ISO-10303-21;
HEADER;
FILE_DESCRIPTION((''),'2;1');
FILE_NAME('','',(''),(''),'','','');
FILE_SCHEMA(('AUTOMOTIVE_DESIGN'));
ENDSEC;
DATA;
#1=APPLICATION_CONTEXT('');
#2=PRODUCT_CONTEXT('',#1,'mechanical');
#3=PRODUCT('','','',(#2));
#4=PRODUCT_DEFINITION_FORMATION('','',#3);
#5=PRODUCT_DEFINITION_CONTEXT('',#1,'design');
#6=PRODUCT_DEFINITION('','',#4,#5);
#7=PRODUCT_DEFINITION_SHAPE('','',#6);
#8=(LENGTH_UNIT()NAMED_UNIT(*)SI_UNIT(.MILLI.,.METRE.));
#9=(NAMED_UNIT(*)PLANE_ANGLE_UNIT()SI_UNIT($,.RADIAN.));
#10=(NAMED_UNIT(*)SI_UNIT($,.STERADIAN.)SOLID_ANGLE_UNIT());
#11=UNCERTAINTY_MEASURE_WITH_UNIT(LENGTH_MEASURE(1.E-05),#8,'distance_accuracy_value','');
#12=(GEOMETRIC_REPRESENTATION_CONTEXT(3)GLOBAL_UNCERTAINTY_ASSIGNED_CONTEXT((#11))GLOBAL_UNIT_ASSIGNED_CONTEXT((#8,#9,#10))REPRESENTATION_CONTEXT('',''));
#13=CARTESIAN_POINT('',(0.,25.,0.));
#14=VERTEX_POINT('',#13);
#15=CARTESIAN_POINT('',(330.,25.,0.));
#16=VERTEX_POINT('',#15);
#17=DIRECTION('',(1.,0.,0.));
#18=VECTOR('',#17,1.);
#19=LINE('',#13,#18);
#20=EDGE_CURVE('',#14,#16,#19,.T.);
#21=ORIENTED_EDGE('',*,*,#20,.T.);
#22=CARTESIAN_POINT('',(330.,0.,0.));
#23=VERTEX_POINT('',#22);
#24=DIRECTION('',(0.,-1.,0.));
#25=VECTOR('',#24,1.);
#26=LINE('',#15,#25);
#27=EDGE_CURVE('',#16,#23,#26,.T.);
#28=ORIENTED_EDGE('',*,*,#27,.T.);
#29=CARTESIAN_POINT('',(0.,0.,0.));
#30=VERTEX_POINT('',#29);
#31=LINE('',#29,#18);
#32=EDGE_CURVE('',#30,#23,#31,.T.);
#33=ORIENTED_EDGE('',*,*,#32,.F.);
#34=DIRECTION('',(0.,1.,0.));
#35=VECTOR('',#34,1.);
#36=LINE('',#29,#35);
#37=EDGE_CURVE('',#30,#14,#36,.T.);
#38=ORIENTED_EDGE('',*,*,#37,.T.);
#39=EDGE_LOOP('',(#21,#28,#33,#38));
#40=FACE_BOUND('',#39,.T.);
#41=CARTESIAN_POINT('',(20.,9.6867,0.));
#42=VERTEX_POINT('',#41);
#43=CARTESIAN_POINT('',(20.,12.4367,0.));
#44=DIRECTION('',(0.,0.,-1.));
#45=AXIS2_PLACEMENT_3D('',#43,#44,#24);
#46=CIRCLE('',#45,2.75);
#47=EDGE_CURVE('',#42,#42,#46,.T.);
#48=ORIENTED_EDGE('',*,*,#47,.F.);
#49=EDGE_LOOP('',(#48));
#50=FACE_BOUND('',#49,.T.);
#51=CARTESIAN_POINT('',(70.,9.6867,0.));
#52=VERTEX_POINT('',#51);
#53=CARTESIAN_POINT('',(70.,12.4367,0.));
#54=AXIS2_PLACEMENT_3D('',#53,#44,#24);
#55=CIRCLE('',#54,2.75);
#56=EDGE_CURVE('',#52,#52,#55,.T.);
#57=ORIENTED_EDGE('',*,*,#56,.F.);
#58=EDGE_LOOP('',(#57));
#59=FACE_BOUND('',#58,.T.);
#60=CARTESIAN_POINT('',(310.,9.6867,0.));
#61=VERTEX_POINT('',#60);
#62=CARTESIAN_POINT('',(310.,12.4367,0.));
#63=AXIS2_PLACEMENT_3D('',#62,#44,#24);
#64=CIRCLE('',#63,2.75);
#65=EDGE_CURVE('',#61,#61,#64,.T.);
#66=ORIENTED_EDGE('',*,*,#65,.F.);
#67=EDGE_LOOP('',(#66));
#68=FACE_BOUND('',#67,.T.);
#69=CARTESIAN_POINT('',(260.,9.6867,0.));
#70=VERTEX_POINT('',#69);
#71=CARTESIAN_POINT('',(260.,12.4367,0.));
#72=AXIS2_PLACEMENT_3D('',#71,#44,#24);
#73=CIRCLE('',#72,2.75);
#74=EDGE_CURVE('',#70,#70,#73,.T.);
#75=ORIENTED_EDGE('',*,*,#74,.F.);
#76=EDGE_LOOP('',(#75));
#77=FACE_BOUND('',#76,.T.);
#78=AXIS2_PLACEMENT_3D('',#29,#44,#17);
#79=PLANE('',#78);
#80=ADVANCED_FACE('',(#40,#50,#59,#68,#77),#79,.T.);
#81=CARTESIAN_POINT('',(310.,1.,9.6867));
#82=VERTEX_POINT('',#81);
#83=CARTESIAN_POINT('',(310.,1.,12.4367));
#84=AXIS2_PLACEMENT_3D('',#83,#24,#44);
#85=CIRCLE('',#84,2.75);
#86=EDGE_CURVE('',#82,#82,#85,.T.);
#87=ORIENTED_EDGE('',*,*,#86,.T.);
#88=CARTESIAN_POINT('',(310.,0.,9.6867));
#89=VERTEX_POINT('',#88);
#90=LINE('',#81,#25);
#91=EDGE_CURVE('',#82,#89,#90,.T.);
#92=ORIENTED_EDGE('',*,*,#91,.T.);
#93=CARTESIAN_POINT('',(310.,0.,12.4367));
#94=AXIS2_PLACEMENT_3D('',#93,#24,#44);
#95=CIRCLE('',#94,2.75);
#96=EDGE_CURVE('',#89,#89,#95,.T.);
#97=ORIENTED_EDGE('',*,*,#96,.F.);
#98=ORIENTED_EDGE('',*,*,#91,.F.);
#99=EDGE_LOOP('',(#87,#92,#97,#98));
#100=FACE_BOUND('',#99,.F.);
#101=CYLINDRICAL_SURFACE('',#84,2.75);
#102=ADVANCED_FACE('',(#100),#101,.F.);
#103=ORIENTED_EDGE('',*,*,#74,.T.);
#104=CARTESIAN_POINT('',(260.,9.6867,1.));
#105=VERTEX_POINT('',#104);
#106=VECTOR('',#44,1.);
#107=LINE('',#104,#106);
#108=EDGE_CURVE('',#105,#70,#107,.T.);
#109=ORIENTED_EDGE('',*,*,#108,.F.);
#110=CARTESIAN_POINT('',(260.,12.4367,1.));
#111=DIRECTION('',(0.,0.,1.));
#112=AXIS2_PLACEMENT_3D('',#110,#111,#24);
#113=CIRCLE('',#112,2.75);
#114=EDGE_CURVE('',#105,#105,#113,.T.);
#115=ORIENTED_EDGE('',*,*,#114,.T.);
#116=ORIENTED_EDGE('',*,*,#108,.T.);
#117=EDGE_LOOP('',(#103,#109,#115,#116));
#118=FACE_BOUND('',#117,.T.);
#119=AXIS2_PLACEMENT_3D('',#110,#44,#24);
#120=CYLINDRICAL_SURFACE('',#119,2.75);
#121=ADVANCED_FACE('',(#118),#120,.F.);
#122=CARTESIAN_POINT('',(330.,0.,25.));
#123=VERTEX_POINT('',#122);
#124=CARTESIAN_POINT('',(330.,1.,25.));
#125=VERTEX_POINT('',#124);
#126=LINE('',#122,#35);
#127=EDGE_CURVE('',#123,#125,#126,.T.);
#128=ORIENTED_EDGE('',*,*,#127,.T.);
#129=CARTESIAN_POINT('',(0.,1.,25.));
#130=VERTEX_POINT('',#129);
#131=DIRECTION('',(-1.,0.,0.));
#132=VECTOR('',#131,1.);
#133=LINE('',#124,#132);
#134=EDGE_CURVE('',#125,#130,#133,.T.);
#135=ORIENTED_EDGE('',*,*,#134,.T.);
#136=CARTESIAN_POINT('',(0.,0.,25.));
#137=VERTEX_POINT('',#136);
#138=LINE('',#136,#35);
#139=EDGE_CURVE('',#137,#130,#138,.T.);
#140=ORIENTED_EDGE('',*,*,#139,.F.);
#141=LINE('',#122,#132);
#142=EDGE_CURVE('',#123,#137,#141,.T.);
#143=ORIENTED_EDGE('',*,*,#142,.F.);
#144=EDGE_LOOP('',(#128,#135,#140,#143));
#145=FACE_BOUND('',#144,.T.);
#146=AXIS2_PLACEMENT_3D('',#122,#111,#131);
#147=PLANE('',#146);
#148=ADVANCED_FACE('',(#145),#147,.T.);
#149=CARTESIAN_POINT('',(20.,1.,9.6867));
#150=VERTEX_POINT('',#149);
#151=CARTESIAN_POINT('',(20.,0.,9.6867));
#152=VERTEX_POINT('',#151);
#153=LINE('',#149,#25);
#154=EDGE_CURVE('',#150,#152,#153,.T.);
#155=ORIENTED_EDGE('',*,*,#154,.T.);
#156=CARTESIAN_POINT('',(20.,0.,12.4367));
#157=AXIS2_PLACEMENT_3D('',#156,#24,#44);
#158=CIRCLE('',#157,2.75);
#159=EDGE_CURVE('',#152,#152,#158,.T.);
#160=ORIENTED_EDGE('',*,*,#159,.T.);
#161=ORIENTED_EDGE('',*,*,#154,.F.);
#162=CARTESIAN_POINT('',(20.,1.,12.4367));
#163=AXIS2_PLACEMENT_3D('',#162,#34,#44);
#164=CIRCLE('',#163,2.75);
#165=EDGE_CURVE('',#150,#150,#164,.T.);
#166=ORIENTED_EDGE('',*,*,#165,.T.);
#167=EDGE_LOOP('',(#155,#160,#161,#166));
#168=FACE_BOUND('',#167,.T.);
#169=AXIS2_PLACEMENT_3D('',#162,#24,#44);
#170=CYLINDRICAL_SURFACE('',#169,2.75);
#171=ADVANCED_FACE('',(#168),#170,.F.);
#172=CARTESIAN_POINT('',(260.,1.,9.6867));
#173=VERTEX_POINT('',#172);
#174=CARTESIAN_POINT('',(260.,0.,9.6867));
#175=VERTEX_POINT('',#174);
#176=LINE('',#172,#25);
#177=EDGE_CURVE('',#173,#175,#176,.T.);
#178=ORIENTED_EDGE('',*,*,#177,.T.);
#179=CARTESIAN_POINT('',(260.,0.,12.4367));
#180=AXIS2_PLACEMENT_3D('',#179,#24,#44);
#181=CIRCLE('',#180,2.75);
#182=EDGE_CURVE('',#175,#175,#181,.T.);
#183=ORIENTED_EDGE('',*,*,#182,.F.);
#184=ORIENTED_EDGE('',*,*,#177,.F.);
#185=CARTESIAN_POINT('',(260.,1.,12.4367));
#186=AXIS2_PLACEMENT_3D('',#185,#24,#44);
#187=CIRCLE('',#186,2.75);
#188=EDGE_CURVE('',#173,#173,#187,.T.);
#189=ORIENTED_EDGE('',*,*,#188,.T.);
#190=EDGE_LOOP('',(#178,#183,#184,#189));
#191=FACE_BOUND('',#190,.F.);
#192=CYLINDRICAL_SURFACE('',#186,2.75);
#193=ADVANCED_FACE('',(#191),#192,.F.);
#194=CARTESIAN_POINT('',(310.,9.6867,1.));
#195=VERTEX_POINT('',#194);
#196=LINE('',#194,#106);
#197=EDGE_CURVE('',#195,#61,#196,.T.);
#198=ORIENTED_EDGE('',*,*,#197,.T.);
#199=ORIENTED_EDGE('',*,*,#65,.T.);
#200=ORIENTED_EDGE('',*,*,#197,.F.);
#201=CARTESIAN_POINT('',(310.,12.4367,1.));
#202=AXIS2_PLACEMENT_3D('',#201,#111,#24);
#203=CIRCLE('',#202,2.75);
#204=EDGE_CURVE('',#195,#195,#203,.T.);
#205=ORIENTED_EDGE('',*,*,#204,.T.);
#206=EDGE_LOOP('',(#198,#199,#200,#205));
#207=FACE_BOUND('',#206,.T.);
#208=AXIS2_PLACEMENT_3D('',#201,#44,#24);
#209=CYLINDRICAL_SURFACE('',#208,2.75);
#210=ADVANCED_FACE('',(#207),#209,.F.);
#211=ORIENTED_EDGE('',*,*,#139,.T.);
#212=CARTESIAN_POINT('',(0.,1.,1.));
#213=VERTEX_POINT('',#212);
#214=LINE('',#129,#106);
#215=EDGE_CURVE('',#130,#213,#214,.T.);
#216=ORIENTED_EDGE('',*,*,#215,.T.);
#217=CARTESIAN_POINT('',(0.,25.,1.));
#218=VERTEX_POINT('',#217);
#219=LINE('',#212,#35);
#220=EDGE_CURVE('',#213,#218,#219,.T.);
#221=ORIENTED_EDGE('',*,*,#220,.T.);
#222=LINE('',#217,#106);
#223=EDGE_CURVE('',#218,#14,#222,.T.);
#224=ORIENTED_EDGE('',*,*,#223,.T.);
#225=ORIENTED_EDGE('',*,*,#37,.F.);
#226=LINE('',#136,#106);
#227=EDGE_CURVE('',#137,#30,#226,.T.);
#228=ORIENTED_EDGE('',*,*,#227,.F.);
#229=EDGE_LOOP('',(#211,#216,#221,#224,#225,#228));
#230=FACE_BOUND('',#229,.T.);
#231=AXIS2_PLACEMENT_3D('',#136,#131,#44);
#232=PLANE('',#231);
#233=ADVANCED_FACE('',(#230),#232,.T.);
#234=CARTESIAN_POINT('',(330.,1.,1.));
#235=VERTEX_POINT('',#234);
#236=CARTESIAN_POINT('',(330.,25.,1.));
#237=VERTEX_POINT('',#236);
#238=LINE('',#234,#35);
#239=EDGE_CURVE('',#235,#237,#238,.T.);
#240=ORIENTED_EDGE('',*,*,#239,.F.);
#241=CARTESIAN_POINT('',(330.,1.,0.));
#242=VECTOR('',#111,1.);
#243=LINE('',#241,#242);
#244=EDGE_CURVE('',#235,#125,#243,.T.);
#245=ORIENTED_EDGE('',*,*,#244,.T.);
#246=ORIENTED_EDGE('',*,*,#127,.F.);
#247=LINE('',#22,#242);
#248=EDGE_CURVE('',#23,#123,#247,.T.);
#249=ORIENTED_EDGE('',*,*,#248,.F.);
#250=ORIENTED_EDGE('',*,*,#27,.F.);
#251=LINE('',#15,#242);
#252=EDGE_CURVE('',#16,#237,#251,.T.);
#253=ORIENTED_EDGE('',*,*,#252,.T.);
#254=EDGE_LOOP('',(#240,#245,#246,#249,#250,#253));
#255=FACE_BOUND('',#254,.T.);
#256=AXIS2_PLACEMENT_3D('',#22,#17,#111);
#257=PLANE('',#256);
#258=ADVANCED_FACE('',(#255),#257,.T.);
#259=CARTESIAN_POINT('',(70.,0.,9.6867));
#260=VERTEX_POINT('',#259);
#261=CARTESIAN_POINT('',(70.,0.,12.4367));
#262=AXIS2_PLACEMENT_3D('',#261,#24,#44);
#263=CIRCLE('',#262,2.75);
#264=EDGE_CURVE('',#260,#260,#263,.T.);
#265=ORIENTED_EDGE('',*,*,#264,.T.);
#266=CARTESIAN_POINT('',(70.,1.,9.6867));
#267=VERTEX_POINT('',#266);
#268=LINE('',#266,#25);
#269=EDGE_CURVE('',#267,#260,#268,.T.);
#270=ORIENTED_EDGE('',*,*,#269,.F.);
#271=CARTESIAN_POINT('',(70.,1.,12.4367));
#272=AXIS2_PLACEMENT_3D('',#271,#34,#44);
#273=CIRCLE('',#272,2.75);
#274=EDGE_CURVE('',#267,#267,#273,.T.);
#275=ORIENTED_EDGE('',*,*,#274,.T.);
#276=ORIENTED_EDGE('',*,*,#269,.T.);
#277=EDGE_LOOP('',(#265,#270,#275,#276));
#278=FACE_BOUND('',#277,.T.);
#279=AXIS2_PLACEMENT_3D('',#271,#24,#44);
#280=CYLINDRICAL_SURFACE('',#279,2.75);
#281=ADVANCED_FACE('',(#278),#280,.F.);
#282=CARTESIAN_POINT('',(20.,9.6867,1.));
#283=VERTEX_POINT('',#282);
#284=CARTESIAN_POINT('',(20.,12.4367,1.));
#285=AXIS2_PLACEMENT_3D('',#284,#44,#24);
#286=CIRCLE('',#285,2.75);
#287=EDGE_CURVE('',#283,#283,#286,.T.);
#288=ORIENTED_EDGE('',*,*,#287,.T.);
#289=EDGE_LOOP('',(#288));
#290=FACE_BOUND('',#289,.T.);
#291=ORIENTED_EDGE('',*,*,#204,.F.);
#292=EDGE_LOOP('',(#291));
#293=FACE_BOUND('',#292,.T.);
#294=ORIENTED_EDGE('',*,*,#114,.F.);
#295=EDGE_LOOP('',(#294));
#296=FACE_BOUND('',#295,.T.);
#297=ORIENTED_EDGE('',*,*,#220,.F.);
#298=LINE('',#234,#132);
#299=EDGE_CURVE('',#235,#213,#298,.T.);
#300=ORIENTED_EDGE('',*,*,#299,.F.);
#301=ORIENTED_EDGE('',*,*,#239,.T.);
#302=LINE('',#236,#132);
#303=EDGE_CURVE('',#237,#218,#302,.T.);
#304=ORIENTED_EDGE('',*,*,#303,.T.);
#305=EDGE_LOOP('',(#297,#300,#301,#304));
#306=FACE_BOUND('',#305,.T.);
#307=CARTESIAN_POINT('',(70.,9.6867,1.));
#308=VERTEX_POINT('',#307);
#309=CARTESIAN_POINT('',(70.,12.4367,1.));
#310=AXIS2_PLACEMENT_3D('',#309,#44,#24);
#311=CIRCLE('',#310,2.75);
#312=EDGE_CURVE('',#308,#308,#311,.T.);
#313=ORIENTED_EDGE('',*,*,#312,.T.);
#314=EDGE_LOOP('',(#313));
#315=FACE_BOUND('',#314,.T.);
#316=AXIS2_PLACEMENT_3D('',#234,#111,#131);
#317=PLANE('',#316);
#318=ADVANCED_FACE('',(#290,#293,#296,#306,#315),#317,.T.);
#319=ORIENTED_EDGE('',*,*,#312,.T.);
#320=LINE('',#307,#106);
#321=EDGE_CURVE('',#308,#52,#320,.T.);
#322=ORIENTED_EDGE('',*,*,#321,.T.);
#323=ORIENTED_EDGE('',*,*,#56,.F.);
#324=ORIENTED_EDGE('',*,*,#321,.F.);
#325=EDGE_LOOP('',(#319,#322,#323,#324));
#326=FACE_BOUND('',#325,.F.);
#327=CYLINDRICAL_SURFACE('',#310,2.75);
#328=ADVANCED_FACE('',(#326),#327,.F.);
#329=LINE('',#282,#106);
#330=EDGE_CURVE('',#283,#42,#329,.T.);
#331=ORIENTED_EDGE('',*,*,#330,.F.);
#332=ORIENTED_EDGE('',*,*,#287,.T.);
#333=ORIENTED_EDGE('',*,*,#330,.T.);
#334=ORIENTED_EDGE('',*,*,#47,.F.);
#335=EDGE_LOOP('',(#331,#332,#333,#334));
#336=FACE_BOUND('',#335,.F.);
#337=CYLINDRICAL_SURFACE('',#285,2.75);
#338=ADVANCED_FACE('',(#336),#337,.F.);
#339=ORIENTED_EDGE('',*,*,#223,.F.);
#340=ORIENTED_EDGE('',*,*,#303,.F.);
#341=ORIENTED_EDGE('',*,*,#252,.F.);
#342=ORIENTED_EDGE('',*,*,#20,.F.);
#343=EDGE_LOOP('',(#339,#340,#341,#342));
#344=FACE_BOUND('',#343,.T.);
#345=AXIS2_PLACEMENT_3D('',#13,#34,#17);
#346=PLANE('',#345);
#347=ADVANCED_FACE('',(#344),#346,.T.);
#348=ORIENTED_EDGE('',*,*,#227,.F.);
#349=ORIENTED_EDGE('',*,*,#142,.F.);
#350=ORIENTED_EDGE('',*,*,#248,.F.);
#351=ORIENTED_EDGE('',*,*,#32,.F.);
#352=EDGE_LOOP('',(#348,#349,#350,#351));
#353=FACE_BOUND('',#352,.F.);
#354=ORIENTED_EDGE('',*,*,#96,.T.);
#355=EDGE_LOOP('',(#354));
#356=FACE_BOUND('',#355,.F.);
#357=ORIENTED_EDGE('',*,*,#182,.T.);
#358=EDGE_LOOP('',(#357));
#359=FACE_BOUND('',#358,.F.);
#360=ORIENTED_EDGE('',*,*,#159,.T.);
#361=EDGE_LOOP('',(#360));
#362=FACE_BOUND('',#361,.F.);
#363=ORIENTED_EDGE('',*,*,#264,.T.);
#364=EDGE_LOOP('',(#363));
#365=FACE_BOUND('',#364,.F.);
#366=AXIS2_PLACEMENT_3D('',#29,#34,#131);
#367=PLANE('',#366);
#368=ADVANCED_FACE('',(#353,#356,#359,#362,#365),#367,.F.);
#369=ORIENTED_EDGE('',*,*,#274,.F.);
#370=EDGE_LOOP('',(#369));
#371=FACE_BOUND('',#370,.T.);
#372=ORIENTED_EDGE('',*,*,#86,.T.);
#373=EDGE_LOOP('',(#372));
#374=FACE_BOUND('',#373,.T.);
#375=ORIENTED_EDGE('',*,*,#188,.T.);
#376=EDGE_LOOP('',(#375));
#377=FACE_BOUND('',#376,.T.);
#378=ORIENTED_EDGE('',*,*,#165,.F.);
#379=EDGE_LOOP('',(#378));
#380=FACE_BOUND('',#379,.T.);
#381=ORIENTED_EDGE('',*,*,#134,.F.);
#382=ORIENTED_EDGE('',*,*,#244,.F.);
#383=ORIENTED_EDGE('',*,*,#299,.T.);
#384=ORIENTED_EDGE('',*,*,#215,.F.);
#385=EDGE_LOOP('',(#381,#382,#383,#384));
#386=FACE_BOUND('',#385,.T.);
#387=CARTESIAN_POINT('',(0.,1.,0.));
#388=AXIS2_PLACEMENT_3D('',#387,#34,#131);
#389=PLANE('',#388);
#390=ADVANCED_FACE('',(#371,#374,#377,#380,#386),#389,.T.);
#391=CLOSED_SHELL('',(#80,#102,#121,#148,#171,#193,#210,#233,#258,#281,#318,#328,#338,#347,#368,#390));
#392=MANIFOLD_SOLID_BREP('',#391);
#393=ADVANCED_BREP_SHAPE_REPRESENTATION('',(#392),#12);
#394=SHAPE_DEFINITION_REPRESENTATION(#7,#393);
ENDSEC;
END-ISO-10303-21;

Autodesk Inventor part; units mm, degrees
ref_plane "XZ Plane" through (0, 0, 0) normal (0, 1, 0) x (-1, 0, 0)
ref_plane "XY Plane" through (0, 0, 0) normal (0, 0, 1) x (1, 0, 0)
sketch "Sketch1" plane through (0, 0, 0) normal (0, 1, 0) x (-1, 0, 0)
  line L0 (0, 0) -> (-330, 0)
  line L1 (-330, 0) -> (-330, 25)
  line L2 (-330, 25) -> (0, 25)
  line L3 (0, 25) -> (0, 0)
  dimension "d0" = 330
  dimension "d1" = 25
extrude "Extrusion1" add sketch "Sketch1" along normal blind 1
sketch "Sketch2" plane through (0, 1, 0) normal (0, 1, 0) x (1, 0, 0)
  line L0 (0, 0) -> (330, 0)
  line L1 (330, 0) -> (330, -1)
  line L2 (330, -1) -> (0, -1)
  line L3 (0, -1) -> (0, 0)
  dimension "d4" = 330
  dimension "d5" = 1
extrude "Extrusion2" add sketch "Sketch2" along normal blind 24
hole "Hole1" at (20, 12.4367, 1) direction (0, 0, -1) diameter 5.5 end through all
pattern_linear "Rectangular Pattern1" count 2 spacing 50 along (1, 0, 0) of "Hole1"
ref_plane "Work Plane1" through (165, 0, 0) normal (1, 0, 0) x (0, 1, 0)
mirror "Mirror1" about plane through (165, 0, 0) normal (1, 0, 0) of "Hole1", "Rectangular Pattern1"
ref_plane "Work Plane2" through (82.5, 1, 1) normal (0, -0.7071, 0.7071) x (-1, 0, 0)
mirror "Mirror2" about plane through (82.5, 1, 1) normal (0, -0.7071, 0.7071) of "Extrusion2", "Hole1", "Rectangular Pattern1", "Mirror1"
properties part number "Lbarx1 big" material "Aluminum 6061"
